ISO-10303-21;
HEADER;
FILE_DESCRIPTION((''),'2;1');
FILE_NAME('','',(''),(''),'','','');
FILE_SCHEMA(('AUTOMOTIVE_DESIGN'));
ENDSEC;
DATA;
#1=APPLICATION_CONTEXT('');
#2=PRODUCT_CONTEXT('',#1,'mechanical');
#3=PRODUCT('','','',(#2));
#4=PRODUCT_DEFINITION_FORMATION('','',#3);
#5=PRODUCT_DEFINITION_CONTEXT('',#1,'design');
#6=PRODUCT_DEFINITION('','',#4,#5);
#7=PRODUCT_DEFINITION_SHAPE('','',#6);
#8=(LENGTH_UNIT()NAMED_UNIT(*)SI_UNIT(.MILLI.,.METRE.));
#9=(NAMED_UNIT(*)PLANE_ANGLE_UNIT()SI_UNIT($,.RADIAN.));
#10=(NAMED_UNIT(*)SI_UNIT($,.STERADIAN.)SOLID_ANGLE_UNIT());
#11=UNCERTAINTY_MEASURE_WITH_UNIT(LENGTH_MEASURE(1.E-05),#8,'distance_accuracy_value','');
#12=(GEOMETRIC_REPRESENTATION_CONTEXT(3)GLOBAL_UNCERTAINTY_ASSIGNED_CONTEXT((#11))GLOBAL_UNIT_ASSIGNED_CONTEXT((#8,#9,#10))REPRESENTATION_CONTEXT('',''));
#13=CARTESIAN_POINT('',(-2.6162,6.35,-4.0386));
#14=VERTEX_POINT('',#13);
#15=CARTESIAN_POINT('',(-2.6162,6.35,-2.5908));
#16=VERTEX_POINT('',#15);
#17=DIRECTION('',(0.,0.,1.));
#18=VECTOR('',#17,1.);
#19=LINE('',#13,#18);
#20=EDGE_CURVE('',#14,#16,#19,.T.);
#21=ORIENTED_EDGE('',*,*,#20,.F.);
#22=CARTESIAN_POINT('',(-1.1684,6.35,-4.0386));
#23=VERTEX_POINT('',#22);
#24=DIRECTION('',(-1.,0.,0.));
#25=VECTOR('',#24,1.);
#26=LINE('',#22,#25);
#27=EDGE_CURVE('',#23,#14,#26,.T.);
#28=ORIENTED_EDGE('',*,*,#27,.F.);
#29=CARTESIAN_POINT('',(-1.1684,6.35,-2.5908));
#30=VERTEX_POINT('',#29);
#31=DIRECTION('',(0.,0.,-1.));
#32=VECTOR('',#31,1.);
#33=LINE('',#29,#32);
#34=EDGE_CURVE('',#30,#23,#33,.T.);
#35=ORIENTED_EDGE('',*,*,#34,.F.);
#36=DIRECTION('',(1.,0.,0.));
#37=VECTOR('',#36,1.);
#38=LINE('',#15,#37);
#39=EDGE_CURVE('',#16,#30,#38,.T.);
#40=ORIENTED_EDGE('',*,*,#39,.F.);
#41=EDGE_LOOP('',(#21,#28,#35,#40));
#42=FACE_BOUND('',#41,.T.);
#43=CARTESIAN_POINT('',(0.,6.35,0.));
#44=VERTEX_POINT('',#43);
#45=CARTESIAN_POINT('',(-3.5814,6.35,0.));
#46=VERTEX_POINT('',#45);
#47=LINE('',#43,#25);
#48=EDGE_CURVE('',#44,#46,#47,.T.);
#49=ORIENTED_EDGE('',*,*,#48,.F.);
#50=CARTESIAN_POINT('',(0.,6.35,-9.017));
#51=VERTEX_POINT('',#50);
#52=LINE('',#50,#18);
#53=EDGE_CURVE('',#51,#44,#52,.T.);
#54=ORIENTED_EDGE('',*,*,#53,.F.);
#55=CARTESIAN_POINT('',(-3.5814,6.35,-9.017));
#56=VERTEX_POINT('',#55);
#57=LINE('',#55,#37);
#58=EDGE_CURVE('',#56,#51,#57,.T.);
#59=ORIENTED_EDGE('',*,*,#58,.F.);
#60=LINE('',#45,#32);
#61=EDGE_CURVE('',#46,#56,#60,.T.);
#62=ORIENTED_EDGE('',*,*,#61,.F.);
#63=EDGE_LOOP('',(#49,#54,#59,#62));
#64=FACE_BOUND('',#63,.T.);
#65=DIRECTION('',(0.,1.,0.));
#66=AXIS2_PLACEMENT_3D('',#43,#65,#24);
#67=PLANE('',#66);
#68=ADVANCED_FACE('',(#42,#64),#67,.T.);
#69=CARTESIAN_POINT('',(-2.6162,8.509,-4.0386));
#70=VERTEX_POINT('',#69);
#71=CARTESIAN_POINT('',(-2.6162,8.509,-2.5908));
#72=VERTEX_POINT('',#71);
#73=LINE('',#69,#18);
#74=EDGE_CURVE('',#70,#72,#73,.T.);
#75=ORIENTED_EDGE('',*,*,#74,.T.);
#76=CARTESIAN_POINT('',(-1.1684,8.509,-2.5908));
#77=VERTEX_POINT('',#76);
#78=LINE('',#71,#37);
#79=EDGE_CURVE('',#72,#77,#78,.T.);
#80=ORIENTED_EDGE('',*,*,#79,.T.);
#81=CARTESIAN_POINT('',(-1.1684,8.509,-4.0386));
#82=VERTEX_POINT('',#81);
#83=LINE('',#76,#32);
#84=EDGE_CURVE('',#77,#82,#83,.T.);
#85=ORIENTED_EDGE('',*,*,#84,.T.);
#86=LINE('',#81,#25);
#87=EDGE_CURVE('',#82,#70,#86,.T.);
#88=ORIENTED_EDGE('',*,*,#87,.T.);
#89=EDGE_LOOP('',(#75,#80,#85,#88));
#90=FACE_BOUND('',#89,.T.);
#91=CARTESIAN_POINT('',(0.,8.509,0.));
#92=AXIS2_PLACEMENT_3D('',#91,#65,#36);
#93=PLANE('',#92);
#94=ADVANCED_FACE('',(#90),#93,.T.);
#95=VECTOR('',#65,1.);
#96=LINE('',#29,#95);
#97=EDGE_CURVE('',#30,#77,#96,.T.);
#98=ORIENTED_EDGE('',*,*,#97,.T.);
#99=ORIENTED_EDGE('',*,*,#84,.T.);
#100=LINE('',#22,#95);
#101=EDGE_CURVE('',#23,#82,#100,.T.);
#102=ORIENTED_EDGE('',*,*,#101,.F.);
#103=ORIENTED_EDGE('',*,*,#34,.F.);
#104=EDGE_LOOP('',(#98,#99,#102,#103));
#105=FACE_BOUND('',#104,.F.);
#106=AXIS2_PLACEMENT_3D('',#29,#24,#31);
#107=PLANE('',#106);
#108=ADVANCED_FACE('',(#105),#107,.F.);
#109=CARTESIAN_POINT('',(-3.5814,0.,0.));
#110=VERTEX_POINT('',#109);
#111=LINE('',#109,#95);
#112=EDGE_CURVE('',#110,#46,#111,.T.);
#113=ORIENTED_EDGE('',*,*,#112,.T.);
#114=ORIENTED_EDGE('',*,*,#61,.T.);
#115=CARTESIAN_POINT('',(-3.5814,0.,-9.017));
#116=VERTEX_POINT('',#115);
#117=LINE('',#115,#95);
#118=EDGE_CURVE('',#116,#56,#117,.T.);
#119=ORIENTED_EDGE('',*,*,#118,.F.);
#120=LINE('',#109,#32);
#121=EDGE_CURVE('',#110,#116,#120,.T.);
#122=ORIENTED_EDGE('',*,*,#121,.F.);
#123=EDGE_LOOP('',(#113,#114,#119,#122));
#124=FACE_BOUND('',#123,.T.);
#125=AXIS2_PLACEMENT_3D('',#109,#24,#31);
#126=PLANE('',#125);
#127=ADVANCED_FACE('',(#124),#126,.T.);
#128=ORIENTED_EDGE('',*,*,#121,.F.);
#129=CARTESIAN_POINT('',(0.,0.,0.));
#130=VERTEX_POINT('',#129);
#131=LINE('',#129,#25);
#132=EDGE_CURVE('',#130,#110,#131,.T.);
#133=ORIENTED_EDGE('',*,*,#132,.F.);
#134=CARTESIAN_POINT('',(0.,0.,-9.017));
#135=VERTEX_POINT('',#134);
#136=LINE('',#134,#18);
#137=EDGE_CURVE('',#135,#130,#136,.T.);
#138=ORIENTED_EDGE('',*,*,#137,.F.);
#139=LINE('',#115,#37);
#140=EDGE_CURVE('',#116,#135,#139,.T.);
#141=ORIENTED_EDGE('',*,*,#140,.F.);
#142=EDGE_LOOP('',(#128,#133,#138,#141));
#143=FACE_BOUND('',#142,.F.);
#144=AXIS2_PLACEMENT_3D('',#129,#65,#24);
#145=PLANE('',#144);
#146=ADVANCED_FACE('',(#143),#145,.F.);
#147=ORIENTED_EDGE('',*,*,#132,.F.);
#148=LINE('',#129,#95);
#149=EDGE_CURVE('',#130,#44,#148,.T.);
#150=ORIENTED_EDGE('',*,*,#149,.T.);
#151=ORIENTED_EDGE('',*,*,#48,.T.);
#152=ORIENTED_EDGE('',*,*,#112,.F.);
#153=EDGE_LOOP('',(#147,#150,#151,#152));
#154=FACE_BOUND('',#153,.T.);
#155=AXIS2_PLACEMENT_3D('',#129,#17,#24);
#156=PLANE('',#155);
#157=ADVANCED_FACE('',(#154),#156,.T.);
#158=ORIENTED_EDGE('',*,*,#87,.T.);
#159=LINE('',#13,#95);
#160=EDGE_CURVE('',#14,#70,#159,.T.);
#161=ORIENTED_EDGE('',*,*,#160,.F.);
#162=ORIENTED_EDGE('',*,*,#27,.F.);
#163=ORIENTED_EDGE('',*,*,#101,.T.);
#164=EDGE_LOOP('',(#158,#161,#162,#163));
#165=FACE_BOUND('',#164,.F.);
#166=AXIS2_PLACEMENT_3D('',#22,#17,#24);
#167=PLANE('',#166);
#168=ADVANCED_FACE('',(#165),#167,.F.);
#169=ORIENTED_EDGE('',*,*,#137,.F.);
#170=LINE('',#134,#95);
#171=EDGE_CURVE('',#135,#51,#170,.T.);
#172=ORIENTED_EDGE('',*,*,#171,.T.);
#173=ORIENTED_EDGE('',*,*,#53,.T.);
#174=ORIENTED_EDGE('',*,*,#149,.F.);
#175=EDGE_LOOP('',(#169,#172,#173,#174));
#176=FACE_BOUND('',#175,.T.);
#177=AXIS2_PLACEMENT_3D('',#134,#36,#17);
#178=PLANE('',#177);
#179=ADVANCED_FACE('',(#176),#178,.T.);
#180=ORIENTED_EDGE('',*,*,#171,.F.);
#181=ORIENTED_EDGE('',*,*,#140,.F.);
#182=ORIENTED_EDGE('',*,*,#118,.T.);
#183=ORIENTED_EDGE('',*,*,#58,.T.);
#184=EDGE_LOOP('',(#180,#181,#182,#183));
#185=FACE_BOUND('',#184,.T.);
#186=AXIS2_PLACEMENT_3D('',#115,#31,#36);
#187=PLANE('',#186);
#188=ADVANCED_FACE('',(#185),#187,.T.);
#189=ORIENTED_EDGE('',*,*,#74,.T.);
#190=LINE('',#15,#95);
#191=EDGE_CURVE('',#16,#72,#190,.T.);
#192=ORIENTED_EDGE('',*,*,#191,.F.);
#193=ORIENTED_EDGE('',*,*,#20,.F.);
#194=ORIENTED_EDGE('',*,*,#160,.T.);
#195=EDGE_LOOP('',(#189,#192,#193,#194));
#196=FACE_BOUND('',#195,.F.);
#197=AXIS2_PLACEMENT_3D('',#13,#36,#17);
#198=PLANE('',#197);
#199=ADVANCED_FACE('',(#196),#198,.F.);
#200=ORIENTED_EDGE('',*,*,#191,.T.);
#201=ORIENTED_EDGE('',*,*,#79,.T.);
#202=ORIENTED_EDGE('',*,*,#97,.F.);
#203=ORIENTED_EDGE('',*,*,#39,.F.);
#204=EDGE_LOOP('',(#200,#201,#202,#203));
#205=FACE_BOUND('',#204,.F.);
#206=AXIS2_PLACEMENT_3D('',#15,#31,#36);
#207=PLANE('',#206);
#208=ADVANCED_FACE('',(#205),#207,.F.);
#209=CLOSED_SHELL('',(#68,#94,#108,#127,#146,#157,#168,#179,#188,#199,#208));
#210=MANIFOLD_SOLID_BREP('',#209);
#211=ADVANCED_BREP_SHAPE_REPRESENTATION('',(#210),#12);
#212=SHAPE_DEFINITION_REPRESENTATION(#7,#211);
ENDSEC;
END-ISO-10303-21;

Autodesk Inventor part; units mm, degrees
ref_plane "YZ Plane" through (0, 0, 0) normal (1, 0, 0) x (0, 1, 0)
ref_plane "XZ Plane" through (0, 0, 0) normal (0, 1, 0) x (-1, 0, 0)
ref_plane "XY Plane" through (0, 0, 0) normal (0, 0, 1) x (1, 0, 0)
sketch "Sketch1" plane through (0, 0, 0) normal (0, 1, 0) x (-1, 0, 0)
  line L0 (0, 0) -> (3.5814, 0)
  line L1 (3.5814, 0) -> (3.5814, -9.017)
  line L2 (3.5814, -9.017) -> (0, -9.017)
  line L3 (0, -9.017) -> (0, 0)
  dimension "d0" = 3.5814
  dimension "d1" = 9.017
extrude "Extrusion1" add sketch "Sketch1" along normal blind 6.35
sketch "Sketch2" plane through (0, 6.35, 0) normal (0, 1, 0) x (1, 0, 0)
  line L0 (-2.6162, 2.5908) -> (-1.1684, 2.5908)
  line L1 (-1.1684, 2.5908) -> (-1.1684, 4.0386)
  line L2 (-1.1684, 4.0386) -> (-2.6162, 4.0386)
  line L3 (-2.6162, 4.0386) -> (-2.6162, 2.5908)
  line L4 (-3.5814, 0) -> (0, 0) projected
  line L5 (0, 0) -> (0, 9.017) projected
  dimension "d4" = 1.4478
  dimension "d5" = 1.4478
  dimension "d6" = 2.5908
  dimension "d7" = 1.1684
extrude "Extrusion2" add sketch "Sketch2" along normal blind 2.159
properties part number "switch"
